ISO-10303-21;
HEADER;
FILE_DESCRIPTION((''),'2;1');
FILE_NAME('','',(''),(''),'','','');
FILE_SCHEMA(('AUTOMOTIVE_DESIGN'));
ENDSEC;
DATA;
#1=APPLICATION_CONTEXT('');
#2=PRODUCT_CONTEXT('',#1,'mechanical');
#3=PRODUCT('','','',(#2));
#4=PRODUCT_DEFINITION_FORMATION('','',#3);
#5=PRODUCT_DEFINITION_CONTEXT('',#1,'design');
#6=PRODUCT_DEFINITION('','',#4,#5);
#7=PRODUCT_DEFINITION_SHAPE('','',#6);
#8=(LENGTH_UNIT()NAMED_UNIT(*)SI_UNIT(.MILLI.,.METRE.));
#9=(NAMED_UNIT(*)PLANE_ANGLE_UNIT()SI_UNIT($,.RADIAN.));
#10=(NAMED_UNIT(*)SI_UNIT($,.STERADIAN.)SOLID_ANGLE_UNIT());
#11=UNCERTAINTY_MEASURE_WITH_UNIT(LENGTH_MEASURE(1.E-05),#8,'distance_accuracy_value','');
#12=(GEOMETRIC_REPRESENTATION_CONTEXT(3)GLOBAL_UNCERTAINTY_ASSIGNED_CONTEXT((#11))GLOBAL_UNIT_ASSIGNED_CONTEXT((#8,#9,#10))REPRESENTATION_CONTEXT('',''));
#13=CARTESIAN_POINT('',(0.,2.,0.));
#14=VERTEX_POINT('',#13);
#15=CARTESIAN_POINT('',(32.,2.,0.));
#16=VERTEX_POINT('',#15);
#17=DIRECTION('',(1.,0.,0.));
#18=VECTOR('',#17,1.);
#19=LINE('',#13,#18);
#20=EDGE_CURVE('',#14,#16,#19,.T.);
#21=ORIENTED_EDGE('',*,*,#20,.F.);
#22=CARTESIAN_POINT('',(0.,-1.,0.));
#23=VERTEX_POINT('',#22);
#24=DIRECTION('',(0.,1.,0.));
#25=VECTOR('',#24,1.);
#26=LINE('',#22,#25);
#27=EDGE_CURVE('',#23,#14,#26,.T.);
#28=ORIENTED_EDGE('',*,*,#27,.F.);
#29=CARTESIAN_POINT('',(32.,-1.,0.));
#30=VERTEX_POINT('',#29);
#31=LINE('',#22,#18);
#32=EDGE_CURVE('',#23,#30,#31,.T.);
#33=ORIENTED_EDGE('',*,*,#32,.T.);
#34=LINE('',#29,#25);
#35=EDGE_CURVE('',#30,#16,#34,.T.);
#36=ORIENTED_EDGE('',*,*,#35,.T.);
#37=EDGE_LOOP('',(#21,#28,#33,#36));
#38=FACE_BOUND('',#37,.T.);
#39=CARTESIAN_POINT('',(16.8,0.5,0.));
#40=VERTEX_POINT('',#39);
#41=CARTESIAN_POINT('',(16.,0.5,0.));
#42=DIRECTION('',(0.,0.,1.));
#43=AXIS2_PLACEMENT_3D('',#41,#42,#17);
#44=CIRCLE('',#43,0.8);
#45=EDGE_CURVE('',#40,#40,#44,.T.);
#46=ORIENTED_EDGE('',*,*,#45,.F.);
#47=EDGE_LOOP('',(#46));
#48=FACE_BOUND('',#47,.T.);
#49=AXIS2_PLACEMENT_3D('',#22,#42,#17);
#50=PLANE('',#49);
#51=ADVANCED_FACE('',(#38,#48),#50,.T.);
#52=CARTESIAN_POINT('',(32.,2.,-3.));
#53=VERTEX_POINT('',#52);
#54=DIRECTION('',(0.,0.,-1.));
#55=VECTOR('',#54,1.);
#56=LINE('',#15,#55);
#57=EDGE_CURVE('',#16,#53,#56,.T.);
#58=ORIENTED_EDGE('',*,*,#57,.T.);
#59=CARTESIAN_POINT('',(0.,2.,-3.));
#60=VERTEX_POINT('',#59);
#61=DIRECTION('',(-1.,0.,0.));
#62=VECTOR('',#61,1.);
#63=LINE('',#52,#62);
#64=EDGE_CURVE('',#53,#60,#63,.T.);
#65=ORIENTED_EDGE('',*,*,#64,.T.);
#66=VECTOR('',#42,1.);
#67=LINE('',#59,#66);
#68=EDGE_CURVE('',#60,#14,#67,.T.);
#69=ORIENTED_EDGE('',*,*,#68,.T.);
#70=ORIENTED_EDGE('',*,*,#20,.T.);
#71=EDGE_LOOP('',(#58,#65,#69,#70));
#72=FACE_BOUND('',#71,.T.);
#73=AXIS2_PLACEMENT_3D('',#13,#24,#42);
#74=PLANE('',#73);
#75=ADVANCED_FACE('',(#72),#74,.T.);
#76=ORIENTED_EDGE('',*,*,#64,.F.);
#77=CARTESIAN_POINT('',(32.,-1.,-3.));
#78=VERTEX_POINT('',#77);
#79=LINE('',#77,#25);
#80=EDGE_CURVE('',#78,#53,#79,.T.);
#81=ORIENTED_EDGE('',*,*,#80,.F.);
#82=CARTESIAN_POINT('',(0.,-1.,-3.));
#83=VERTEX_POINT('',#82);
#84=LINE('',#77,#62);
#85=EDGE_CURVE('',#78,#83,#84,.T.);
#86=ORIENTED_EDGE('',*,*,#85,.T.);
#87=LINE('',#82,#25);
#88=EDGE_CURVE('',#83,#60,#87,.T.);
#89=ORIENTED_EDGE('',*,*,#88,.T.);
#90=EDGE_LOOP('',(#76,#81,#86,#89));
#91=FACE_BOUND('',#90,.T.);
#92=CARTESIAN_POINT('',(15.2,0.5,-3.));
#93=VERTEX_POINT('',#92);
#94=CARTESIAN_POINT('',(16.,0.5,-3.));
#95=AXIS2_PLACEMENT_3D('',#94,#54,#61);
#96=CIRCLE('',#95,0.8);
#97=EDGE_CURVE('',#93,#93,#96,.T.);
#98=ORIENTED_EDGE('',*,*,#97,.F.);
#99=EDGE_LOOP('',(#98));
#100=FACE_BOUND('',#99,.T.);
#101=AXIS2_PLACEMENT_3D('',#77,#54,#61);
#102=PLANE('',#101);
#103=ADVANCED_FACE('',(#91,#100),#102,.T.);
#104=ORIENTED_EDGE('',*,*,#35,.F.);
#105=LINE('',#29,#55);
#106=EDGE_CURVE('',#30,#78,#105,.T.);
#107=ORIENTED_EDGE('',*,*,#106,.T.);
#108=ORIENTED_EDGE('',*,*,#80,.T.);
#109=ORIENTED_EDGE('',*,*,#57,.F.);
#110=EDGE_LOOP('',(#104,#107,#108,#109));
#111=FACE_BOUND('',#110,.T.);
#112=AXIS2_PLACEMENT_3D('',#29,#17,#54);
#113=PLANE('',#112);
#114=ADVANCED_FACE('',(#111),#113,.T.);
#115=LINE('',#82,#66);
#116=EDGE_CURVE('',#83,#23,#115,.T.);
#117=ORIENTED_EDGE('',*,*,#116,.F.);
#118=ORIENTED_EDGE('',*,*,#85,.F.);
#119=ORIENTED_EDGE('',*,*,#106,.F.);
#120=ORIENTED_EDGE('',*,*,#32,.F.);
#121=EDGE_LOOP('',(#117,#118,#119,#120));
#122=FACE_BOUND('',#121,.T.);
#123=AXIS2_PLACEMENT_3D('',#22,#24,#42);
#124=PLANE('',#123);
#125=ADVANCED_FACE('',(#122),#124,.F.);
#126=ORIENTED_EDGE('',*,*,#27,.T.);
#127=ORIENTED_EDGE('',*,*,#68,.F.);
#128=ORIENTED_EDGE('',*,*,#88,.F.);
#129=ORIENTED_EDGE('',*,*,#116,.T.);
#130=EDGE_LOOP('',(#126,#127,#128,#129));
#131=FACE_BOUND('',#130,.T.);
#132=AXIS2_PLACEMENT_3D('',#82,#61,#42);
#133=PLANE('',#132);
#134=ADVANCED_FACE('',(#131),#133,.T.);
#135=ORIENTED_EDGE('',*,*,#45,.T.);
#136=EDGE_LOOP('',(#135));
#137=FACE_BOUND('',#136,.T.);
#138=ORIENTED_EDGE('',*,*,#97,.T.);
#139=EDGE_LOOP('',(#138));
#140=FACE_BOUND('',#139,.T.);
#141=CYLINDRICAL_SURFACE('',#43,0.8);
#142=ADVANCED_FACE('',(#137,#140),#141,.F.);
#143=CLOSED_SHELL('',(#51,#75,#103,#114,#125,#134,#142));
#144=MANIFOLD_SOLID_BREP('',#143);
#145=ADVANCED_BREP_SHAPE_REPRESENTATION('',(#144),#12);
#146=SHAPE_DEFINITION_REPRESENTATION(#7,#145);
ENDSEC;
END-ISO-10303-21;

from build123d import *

# Parameters (mm, degrees)
BOSS_EXTRU_1_DEPTH      = 2
BOSS_EXTRU_1_DEPTH_BACK = 1
ESQUISSE1_W             = 32
ESQUISSE1_H             = 3
D_GAGEMENT_M1_61_D      = 1.6


with BuildPart() as part:
    # Esquisse1 → Boss.-Extru.1 (new, two sides: drawn at the far end of the back side and taken through both)
    with BuildSketch(Plane(origin=(0, 0, 0), x_dir=(1, 0, 0), z_dir=(0, 1, 0)).offset(-BOSS_EXTRU_1_DEPTH_BACK)):
        with Locations((16, 1.5)):
            Rectangle(ESQUISSE1_W, ESQUISSE1_H)
    extrude(amount=BOSS_EXTRU_1_DEPTH + BOSS_EXTRU_1_DEPTH_BACK)

    # Dégagement M1.61 (through all)
    with Locations(Plane(origin=(16, 0.5, 0), x_dir=(1, 0, 0), z_dir=(0, 0, 1))):
        with Locations((0, 0)):
            Hole(D_GAGEMENT_M1_61_D / 2)


solid = part.part
